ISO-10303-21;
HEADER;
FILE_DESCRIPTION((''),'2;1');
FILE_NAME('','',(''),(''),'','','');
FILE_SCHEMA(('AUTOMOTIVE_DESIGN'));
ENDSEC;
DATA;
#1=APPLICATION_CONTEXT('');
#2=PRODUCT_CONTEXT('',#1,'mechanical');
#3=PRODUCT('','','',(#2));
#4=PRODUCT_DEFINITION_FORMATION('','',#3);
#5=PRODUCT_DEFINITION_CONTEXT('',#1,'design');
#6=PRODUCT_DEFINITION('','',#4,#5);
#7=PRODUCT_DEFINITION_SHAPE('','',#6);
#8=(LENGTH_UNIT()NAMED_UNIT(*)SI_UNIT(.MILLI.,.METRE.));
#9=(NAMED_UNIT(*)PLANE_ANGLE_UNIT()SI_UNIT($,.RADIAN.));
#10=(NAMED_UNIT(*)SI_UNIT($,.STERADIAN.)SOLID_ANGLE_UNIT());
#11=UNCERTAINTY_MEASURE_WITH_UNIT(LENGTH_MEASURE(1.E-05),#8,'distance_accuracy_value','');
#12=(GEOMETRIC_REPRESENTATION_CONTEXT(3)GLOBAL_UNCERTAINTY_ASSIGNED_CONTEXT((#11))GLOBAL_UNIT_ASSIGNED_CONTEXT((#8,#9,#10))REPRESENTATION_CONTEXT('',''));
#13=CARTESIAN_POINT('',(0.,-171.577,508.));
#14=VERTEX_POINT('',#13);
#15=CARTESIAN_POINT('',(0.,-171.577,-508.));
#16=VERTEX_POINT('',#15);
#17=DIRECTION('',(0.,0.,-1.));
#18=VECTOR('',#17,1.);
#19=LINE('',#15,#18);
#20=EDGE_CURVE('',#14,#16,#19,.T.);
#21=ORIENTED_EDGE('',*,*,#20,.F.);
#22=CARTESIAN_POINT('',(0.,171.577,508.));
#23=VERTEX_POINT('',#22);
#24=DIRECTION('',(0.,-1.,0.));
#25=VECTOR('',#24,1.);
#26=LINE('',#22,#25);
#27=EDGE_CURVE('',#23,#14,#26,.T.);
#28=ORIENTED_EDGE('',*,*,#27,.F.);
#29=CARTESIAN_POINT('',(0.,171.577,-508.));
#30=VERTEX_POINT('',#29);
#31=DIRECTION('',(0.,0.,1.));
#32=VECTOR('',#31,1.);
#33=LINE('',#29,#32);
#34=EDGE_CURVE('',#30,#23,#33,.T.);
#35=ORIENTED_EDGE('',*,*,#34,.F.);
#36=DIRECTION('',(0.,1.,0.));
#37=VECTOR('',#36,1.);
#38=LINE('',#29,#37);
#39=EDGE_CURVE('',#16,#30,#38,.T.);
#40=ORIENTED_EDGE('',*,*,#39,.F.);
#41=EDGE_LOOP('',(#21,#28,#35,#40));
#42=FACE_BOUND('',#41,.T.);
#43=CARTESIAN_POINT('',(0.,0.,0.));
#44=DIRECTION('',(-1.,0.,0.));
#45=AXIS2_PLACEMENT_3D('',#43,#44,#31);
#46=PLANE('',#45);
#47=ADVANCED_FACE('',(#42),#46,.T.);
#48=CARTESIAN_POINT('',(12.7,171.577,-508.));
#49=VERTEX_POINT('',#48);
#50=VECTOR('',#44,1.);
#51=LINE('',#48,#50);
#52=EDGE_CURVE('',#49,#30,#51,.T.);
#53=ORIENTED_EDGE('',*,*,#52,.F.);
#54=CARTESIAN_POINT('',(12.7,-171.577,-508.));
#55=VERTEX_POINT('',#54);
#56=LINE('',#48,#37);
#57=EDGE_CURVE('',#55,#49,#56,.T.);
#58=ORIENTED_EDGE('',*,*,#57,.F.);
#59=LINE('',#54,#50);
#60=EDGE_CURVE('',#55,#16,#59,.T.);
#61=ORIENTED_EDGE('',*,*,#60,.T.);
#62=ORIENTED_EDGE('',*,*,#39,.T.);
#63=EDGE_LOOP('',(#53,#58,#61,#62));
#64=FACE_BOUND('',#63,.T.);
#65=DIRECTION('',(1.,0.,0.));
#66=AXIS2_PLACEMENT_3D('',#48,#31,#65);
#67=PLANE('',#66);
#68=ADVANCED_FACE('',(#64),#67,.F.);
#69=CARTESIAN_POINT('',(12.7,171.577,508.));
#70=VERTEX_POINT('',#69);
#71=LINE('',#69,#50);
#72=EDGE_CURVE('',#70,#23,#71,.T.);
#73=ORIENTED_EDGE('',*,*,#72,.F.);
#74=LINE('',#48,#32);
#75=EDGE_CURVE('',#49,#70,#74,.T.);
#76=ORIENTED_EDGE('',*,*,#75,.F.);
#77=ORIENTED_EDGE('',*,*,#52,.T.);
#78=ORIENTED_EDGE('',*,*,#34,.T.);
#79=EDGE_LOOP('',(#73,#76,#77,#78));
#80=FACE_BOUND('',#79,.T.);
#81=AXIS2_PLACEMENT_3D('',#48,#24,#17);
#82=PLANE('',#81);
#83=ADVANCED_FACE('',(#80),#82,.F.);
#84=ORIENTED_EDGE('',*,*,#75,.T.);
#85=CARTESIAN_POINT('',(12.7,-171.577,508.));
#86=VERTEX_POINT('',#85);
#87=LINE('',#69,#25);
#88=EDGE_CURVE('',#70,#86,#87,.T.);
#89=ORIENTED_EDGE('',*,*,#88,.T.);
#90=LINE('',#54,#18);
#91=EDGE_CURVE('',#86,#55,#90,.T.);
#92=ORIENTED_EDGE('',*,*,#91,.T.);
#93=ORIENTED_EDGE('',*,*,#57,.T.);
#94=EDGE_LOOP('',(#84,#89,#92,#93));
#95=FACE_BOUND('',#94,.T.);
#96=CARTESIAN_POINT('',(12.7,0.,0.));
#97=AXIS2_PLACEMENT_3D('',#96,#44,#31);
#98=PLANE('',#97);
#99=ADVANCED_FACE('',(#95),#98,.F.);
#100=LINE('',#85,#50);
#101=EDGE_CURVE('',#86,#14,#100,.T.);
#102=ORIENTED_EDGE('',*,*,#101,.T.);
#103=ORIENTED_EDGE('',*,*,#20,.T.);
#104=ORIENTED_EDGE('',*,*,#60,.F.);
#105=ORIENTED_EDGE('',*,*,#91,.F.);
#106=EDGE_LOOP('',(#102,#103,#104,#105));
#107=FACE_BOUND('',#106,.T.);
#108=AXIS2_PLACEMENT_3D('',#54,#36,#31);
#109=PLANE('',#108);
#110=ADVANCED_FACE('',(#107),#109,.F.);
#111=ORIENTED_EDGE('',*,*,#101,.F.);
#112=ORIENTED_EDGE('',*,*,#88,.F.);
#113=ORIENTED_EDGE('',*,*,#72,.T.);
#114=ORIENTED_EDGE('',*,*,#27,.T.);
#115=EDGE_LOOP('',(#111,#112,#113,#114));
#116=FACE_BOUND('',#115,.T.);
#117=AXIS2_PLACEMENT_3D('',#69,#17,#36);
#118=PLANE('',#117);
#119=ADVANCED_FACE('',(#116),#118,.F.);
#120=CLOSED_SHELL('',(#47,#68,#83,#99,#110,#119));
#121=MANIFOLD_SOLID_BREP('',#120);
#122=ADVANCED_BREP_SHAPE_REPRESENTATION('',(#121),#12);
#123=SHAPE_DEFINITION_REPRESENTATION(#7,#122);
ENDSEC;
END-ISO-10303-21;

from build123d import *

# Parameters (mm, degrees)
SKETCH1_W           = 1016
SKETCH1_H           = 343.154
BOSS_EXTRUDE1_DEPTH = 12.7


with BuildPart() as part:
    # Sketch1 → Boss-Extrude1 (new body)
    with BuildSketch(Plane(origin=(0, 0, 0), x_dir=(0, 0, -1), z_dir=(1, 0, 0))):
        Rectangle(SKETCH1_W, SKETCH1_H)
    extrude(amount=BOSS_EXTRUDE1_DEPTH)


solid = part.part
